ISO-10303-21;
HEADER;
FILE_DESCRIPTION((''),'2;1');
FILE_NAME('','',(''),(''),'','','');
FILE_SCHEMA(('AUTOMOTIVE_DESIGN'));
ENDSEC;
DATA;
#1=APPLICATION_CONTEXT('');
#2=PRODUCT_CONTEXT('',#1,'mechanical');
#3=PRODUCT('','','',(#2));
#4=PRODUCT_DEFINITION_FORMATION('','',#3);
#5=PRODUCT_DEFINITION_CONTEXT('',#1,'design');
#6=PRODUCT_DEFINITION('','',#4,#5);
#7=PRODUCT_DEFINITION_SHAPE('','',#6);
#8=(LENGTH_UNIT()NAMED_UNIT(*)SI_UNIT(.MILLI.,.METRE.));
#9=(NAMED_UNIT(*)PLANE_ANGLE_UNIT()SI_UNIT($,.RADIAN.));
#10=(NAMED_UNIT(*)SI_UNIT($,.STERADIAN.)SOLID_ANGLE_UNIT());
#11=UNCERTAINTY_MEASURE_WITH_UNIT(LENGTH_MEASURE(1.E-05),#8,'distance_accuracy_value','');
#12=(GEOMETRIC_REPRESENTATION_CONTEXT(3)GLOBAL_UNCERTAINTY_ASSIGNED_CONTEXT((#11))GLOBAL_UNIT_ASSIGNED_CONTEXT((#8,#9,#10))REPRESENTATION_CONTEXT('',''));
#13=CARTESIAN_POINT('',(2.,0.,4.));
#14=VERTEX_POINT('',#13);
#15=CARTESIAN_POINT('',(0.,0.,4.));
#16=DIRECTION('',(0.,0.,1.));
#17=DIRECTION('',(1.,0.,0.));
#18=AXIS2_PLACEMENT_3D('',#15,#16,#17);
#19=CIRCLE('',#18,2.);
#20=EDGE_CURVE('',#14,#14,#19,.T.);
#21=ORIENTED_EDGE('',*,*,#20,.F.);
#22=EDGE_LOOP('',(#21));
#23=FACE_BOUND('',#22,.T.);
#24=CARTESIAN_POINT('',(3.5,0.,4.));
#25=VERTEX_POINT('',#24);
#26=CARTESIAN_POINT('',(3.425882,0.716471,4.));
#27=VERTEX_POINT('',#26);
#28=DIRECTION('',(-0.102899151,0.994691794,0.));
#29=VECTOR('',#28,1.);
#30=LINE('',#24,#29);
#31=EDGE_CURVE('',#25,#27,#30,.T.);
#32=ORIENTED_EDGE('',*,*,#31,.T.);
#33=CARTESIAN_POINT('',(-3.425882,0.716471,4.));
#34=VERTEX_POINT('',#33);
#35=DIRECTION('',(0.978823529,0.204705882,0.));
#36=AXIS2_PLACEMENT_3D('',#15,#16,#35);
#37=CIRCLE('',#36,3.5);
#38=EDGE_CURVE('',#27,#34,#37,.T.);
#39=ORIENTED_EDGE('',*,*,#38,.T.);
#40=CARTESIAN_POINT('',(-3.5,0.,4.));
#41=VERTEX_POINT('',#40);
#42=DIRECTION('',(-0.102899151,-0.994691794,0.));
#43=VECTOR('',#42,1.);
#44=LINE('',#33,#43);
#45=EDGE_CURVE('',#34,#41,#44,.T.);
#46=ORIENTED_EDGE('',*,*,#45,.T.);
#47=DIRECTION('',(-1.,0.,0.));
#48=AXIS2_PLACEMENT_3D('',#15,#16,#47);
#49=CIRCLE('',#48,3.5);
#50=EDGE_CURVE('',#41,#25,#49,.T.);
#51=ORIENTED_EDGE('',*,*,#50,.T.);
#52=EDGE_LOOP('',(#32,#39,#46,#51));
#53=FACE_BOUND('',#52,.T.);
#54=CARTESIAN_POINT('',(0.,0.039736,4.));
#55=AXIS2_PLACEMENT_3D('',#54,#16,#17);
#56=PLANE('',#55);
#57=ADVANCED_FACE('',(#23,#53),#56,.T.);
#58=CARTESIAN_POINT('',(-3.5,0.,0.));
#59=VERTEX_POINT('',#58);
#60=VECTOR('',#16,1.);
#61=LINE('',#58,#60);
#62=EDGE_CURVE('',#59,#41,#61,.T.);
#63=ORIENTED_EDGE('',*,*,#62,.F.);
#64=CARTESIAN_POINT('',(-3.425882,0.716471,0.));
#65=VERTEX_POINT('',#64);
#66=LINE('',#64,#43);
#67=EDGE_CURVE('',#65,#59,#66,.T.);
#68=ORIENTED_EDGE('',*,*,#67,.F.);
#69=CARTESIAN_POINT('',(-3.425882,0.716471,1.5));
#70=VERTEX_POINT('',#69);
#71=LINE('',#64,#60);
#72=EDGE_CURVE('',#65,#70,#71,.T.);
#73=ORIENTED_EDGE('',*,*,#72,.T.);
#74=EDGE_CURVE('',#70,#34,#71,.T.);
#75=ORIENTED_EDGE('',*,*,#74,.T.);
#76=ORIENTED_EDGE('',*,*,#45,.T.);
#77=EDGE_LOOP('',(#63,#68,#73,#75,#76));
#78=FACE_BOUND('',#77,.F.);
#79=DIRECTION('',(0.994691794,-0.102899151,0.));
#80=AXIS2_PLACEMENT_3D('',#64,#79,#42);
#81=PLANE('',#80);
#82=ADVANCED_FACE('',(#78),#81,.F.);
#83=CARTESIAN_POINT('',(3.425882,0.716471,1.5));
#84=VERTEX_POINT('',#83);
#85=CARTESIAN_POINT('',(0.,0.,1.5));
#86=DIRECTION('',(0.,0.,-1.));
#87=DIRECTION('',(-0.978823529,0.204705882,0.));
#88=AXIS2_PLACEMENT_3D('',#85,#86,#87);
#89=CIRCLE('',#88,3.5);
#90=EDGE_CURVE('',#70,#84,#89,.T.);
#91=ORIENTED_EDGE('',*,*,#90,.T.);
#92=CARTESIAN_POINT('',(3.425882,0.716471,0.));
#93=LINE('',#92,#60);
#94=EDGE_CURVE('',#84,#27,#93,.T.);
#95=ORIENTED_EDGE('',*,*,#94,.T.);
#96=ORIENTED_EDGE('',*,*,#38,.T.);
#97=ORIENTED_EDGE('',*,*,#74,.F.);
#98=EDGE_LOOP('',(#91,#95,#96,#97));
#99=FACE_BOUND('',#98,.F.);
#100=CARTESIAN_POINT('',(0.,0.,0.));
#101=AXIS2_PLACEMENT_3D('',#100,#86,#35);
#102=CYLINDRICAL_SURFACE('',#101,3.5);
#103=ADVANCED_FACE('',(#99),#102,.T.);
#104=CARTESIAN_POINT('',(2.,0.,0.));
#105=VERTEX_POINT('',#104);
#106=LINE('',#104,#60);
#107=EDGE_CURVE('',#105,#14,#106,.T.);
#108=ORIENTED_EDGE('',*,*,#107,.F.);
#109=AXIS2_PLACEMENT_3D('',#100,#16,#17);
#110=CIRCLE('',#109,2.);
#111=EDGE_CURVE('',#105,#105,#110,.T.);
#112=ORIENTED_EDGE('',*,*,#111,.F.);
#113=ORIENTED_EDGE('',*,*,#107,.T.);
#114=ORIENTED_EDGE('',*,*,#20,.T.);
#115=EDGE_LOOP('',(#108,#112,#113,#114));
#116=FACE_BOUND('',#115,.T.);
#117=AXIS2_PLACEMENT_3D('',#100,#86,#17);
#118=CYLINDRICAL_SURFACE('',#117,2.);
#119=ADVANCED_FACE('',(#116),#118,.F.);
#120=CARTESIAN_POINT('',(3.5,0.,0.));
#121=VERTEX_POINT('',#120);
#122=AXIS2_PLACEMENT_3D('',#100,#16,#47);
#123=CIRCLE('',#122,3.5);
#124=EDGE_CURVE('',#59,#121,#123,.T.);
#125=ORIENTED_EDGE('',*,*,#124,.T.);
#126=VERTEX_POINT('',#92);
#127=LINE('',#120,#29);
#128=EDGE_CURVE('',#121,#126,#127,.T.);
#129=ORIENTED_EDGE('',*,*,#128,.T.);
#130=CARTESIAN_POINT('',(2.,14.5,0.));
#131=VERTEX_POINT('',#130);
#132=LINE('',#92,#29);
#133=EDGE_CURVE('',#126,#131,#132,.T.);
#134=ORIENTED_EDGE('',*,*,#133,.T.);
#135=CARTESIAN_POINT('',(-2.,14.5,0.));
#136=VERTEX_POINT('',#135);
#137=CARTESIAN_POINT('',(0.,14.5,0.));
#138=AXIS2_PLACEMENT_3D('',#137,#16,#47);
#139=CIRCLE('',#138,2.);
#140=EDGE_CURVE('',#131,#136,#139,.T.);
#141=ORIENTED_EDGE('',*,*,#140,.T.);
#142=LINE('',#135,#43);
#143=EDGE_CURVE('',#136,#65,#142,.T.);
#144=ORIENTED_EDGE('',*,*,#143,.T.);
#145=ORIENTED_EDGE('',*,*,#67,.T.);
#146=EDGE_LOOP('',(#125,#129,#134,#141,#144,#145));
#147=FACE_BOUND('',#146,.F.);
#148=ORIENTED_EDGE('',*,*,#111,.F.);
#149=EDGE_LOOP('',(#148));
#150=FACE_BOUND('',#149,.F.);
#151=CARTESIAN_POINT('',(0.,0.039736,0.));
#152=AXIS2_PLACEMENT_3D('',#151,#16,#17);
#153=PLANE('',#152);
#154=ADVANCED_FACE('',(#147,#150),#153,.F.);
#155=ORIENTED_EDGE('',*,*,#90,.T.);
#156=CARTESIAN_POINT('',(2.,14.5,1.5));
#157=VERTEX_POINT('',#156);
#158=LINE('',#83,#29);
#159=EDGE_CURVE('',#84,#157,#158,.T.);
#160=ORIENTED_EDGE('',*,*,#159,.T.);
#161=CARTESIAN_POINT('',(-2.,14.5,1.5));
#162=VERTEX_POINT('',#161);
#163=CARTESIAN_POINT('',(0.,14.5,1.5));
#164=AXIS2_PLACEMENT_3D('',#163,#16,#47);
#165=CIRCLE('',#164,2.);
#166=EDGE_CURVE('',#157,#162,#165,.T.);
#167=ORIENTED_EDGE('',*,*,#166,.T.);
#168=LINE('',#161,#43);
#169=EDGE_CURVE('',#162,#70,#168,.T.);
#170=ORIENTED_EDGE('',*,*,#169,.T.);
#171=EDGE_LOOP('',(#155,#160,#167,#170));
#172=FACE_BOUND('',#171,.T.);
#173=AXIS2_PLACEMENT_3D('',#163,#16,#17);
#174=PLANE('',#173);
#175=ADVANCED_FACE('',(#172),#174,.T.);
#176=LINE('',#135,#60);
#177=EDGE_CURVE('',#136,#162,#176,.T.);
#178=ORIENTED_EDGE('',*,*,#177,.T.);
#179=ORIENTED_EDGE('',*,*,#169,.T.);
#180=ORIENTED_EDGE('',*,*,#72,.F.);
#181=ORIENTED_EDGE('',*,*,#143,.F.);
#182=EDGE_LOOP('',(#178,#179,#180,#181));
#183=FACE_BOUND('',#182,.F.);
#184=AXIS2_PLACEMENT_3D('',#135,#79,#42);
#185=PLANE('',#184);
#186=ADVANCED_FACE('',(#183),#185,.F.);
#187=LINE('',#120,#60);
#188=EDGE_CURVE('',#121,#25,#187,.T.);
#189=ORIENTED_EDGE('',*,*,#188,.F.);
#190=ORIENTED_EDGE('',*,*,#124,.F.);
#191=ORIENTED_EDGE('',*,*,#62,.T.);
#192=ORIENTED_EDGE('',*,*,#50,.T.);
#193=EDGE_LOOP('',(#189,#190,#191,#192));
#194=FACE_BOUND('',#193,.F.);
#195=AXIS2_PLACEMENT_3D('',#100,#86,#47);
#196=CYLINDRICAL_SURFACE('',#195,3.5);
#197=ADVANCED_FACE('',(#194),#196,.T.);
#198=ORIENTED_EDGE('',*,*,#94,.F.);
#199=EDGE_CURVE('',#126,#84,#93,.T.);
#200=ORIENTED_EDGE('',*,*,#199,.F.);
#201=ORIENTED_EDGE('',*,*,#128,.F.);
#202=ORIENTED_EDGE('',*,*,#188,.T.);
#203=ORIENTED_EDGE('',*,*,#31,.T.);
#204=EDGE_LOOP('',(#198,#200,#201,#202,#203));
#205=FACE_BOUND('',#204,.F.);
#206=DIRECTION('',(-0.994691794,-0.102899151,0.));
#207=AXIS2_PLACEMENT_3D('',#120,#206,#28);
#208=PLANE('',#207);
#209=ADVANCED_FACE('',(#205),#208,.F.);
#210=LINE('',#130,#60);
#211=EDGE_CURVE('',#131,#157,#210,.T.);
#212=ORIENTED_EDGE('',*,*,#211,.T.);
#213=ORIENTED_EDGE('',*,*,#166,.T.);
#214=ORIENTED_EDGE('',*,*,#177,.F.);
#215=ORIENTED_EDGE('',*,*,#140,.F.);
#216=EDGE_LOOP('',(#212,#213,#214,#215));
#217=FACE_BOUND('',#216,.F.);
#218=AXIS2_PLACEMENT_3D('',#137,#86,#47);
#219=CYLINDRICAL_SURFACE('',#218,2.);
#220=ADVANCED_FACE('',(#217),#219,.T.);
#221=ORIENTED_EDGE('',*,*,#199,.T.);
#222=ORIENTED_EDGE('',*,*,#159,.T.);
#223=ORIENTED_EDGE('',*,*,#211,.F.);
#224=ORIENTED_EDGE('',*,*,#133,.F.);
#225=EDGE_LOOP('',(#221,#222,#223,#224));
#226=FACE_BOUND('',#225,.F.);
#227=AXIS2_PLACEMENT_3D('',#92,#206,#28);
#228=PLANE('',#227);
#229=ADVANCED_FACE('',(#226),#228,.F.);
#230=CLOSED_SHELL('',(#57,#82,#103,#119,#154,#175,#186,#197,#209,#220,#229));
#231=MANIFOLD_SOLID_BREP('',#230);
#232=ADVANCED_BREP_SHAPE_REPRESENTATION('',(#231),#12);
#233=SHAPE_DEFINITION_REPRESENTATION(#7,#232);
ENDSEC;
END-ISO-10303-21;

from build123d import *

# Parameters (mm, degrees)
F1_DEPTH = 1.5
F0_R     = 2
F2_DEPTH = 4


with BuildPart() as f1:
    # F0 (on Top) → F1 (new body)
    with BuildSketch(Plane.XY):
        with BuildLine():
            ThreePointArc((2, 14.5), (0, 16.5), (-2, 14.5))
            ThreePointArc((-2, 14.5), (0, 12.5), (2, 14.5))
        make_face()
        with BuildLine():
            Line((-2, 14.5), (-3.4258823529, 0.7164705882))
            ThreePointArc((-3.4258823529, 0.7164705882), (0, 3.5), (3.4258823529, 0.7164705882))
            Line((3.4258823529, 0.7164705882), (2, 14.5))
            ThreePointArc((2, 14.5), (0, 12.5), (-2, 14.5))
        make_face()
    extrude(amount=F1_DEPTH)

    # F0 (on Top) → F2 (join)
    with BuildSketch(Plane.XY):
        with BuildLine():
            Line((-3.4258823529, 0.7164705882), (-3.5, 0))
            ThreePointArc((-3.5, 0), (0, -3.5), (3.5, 0))
            Line((3.5, 0), (3.4258823529, 0.7164705882))
            ThreePointArc((3.4258823529, 0.7164705882), (0, 3.5), (-3.4258823529, 0.7164705882))
        make_face()
        Circle(F0_R, mode=Mode.SUBTRACT)
    extrude(amount=F2_DEPTH)


solid = f1.part
